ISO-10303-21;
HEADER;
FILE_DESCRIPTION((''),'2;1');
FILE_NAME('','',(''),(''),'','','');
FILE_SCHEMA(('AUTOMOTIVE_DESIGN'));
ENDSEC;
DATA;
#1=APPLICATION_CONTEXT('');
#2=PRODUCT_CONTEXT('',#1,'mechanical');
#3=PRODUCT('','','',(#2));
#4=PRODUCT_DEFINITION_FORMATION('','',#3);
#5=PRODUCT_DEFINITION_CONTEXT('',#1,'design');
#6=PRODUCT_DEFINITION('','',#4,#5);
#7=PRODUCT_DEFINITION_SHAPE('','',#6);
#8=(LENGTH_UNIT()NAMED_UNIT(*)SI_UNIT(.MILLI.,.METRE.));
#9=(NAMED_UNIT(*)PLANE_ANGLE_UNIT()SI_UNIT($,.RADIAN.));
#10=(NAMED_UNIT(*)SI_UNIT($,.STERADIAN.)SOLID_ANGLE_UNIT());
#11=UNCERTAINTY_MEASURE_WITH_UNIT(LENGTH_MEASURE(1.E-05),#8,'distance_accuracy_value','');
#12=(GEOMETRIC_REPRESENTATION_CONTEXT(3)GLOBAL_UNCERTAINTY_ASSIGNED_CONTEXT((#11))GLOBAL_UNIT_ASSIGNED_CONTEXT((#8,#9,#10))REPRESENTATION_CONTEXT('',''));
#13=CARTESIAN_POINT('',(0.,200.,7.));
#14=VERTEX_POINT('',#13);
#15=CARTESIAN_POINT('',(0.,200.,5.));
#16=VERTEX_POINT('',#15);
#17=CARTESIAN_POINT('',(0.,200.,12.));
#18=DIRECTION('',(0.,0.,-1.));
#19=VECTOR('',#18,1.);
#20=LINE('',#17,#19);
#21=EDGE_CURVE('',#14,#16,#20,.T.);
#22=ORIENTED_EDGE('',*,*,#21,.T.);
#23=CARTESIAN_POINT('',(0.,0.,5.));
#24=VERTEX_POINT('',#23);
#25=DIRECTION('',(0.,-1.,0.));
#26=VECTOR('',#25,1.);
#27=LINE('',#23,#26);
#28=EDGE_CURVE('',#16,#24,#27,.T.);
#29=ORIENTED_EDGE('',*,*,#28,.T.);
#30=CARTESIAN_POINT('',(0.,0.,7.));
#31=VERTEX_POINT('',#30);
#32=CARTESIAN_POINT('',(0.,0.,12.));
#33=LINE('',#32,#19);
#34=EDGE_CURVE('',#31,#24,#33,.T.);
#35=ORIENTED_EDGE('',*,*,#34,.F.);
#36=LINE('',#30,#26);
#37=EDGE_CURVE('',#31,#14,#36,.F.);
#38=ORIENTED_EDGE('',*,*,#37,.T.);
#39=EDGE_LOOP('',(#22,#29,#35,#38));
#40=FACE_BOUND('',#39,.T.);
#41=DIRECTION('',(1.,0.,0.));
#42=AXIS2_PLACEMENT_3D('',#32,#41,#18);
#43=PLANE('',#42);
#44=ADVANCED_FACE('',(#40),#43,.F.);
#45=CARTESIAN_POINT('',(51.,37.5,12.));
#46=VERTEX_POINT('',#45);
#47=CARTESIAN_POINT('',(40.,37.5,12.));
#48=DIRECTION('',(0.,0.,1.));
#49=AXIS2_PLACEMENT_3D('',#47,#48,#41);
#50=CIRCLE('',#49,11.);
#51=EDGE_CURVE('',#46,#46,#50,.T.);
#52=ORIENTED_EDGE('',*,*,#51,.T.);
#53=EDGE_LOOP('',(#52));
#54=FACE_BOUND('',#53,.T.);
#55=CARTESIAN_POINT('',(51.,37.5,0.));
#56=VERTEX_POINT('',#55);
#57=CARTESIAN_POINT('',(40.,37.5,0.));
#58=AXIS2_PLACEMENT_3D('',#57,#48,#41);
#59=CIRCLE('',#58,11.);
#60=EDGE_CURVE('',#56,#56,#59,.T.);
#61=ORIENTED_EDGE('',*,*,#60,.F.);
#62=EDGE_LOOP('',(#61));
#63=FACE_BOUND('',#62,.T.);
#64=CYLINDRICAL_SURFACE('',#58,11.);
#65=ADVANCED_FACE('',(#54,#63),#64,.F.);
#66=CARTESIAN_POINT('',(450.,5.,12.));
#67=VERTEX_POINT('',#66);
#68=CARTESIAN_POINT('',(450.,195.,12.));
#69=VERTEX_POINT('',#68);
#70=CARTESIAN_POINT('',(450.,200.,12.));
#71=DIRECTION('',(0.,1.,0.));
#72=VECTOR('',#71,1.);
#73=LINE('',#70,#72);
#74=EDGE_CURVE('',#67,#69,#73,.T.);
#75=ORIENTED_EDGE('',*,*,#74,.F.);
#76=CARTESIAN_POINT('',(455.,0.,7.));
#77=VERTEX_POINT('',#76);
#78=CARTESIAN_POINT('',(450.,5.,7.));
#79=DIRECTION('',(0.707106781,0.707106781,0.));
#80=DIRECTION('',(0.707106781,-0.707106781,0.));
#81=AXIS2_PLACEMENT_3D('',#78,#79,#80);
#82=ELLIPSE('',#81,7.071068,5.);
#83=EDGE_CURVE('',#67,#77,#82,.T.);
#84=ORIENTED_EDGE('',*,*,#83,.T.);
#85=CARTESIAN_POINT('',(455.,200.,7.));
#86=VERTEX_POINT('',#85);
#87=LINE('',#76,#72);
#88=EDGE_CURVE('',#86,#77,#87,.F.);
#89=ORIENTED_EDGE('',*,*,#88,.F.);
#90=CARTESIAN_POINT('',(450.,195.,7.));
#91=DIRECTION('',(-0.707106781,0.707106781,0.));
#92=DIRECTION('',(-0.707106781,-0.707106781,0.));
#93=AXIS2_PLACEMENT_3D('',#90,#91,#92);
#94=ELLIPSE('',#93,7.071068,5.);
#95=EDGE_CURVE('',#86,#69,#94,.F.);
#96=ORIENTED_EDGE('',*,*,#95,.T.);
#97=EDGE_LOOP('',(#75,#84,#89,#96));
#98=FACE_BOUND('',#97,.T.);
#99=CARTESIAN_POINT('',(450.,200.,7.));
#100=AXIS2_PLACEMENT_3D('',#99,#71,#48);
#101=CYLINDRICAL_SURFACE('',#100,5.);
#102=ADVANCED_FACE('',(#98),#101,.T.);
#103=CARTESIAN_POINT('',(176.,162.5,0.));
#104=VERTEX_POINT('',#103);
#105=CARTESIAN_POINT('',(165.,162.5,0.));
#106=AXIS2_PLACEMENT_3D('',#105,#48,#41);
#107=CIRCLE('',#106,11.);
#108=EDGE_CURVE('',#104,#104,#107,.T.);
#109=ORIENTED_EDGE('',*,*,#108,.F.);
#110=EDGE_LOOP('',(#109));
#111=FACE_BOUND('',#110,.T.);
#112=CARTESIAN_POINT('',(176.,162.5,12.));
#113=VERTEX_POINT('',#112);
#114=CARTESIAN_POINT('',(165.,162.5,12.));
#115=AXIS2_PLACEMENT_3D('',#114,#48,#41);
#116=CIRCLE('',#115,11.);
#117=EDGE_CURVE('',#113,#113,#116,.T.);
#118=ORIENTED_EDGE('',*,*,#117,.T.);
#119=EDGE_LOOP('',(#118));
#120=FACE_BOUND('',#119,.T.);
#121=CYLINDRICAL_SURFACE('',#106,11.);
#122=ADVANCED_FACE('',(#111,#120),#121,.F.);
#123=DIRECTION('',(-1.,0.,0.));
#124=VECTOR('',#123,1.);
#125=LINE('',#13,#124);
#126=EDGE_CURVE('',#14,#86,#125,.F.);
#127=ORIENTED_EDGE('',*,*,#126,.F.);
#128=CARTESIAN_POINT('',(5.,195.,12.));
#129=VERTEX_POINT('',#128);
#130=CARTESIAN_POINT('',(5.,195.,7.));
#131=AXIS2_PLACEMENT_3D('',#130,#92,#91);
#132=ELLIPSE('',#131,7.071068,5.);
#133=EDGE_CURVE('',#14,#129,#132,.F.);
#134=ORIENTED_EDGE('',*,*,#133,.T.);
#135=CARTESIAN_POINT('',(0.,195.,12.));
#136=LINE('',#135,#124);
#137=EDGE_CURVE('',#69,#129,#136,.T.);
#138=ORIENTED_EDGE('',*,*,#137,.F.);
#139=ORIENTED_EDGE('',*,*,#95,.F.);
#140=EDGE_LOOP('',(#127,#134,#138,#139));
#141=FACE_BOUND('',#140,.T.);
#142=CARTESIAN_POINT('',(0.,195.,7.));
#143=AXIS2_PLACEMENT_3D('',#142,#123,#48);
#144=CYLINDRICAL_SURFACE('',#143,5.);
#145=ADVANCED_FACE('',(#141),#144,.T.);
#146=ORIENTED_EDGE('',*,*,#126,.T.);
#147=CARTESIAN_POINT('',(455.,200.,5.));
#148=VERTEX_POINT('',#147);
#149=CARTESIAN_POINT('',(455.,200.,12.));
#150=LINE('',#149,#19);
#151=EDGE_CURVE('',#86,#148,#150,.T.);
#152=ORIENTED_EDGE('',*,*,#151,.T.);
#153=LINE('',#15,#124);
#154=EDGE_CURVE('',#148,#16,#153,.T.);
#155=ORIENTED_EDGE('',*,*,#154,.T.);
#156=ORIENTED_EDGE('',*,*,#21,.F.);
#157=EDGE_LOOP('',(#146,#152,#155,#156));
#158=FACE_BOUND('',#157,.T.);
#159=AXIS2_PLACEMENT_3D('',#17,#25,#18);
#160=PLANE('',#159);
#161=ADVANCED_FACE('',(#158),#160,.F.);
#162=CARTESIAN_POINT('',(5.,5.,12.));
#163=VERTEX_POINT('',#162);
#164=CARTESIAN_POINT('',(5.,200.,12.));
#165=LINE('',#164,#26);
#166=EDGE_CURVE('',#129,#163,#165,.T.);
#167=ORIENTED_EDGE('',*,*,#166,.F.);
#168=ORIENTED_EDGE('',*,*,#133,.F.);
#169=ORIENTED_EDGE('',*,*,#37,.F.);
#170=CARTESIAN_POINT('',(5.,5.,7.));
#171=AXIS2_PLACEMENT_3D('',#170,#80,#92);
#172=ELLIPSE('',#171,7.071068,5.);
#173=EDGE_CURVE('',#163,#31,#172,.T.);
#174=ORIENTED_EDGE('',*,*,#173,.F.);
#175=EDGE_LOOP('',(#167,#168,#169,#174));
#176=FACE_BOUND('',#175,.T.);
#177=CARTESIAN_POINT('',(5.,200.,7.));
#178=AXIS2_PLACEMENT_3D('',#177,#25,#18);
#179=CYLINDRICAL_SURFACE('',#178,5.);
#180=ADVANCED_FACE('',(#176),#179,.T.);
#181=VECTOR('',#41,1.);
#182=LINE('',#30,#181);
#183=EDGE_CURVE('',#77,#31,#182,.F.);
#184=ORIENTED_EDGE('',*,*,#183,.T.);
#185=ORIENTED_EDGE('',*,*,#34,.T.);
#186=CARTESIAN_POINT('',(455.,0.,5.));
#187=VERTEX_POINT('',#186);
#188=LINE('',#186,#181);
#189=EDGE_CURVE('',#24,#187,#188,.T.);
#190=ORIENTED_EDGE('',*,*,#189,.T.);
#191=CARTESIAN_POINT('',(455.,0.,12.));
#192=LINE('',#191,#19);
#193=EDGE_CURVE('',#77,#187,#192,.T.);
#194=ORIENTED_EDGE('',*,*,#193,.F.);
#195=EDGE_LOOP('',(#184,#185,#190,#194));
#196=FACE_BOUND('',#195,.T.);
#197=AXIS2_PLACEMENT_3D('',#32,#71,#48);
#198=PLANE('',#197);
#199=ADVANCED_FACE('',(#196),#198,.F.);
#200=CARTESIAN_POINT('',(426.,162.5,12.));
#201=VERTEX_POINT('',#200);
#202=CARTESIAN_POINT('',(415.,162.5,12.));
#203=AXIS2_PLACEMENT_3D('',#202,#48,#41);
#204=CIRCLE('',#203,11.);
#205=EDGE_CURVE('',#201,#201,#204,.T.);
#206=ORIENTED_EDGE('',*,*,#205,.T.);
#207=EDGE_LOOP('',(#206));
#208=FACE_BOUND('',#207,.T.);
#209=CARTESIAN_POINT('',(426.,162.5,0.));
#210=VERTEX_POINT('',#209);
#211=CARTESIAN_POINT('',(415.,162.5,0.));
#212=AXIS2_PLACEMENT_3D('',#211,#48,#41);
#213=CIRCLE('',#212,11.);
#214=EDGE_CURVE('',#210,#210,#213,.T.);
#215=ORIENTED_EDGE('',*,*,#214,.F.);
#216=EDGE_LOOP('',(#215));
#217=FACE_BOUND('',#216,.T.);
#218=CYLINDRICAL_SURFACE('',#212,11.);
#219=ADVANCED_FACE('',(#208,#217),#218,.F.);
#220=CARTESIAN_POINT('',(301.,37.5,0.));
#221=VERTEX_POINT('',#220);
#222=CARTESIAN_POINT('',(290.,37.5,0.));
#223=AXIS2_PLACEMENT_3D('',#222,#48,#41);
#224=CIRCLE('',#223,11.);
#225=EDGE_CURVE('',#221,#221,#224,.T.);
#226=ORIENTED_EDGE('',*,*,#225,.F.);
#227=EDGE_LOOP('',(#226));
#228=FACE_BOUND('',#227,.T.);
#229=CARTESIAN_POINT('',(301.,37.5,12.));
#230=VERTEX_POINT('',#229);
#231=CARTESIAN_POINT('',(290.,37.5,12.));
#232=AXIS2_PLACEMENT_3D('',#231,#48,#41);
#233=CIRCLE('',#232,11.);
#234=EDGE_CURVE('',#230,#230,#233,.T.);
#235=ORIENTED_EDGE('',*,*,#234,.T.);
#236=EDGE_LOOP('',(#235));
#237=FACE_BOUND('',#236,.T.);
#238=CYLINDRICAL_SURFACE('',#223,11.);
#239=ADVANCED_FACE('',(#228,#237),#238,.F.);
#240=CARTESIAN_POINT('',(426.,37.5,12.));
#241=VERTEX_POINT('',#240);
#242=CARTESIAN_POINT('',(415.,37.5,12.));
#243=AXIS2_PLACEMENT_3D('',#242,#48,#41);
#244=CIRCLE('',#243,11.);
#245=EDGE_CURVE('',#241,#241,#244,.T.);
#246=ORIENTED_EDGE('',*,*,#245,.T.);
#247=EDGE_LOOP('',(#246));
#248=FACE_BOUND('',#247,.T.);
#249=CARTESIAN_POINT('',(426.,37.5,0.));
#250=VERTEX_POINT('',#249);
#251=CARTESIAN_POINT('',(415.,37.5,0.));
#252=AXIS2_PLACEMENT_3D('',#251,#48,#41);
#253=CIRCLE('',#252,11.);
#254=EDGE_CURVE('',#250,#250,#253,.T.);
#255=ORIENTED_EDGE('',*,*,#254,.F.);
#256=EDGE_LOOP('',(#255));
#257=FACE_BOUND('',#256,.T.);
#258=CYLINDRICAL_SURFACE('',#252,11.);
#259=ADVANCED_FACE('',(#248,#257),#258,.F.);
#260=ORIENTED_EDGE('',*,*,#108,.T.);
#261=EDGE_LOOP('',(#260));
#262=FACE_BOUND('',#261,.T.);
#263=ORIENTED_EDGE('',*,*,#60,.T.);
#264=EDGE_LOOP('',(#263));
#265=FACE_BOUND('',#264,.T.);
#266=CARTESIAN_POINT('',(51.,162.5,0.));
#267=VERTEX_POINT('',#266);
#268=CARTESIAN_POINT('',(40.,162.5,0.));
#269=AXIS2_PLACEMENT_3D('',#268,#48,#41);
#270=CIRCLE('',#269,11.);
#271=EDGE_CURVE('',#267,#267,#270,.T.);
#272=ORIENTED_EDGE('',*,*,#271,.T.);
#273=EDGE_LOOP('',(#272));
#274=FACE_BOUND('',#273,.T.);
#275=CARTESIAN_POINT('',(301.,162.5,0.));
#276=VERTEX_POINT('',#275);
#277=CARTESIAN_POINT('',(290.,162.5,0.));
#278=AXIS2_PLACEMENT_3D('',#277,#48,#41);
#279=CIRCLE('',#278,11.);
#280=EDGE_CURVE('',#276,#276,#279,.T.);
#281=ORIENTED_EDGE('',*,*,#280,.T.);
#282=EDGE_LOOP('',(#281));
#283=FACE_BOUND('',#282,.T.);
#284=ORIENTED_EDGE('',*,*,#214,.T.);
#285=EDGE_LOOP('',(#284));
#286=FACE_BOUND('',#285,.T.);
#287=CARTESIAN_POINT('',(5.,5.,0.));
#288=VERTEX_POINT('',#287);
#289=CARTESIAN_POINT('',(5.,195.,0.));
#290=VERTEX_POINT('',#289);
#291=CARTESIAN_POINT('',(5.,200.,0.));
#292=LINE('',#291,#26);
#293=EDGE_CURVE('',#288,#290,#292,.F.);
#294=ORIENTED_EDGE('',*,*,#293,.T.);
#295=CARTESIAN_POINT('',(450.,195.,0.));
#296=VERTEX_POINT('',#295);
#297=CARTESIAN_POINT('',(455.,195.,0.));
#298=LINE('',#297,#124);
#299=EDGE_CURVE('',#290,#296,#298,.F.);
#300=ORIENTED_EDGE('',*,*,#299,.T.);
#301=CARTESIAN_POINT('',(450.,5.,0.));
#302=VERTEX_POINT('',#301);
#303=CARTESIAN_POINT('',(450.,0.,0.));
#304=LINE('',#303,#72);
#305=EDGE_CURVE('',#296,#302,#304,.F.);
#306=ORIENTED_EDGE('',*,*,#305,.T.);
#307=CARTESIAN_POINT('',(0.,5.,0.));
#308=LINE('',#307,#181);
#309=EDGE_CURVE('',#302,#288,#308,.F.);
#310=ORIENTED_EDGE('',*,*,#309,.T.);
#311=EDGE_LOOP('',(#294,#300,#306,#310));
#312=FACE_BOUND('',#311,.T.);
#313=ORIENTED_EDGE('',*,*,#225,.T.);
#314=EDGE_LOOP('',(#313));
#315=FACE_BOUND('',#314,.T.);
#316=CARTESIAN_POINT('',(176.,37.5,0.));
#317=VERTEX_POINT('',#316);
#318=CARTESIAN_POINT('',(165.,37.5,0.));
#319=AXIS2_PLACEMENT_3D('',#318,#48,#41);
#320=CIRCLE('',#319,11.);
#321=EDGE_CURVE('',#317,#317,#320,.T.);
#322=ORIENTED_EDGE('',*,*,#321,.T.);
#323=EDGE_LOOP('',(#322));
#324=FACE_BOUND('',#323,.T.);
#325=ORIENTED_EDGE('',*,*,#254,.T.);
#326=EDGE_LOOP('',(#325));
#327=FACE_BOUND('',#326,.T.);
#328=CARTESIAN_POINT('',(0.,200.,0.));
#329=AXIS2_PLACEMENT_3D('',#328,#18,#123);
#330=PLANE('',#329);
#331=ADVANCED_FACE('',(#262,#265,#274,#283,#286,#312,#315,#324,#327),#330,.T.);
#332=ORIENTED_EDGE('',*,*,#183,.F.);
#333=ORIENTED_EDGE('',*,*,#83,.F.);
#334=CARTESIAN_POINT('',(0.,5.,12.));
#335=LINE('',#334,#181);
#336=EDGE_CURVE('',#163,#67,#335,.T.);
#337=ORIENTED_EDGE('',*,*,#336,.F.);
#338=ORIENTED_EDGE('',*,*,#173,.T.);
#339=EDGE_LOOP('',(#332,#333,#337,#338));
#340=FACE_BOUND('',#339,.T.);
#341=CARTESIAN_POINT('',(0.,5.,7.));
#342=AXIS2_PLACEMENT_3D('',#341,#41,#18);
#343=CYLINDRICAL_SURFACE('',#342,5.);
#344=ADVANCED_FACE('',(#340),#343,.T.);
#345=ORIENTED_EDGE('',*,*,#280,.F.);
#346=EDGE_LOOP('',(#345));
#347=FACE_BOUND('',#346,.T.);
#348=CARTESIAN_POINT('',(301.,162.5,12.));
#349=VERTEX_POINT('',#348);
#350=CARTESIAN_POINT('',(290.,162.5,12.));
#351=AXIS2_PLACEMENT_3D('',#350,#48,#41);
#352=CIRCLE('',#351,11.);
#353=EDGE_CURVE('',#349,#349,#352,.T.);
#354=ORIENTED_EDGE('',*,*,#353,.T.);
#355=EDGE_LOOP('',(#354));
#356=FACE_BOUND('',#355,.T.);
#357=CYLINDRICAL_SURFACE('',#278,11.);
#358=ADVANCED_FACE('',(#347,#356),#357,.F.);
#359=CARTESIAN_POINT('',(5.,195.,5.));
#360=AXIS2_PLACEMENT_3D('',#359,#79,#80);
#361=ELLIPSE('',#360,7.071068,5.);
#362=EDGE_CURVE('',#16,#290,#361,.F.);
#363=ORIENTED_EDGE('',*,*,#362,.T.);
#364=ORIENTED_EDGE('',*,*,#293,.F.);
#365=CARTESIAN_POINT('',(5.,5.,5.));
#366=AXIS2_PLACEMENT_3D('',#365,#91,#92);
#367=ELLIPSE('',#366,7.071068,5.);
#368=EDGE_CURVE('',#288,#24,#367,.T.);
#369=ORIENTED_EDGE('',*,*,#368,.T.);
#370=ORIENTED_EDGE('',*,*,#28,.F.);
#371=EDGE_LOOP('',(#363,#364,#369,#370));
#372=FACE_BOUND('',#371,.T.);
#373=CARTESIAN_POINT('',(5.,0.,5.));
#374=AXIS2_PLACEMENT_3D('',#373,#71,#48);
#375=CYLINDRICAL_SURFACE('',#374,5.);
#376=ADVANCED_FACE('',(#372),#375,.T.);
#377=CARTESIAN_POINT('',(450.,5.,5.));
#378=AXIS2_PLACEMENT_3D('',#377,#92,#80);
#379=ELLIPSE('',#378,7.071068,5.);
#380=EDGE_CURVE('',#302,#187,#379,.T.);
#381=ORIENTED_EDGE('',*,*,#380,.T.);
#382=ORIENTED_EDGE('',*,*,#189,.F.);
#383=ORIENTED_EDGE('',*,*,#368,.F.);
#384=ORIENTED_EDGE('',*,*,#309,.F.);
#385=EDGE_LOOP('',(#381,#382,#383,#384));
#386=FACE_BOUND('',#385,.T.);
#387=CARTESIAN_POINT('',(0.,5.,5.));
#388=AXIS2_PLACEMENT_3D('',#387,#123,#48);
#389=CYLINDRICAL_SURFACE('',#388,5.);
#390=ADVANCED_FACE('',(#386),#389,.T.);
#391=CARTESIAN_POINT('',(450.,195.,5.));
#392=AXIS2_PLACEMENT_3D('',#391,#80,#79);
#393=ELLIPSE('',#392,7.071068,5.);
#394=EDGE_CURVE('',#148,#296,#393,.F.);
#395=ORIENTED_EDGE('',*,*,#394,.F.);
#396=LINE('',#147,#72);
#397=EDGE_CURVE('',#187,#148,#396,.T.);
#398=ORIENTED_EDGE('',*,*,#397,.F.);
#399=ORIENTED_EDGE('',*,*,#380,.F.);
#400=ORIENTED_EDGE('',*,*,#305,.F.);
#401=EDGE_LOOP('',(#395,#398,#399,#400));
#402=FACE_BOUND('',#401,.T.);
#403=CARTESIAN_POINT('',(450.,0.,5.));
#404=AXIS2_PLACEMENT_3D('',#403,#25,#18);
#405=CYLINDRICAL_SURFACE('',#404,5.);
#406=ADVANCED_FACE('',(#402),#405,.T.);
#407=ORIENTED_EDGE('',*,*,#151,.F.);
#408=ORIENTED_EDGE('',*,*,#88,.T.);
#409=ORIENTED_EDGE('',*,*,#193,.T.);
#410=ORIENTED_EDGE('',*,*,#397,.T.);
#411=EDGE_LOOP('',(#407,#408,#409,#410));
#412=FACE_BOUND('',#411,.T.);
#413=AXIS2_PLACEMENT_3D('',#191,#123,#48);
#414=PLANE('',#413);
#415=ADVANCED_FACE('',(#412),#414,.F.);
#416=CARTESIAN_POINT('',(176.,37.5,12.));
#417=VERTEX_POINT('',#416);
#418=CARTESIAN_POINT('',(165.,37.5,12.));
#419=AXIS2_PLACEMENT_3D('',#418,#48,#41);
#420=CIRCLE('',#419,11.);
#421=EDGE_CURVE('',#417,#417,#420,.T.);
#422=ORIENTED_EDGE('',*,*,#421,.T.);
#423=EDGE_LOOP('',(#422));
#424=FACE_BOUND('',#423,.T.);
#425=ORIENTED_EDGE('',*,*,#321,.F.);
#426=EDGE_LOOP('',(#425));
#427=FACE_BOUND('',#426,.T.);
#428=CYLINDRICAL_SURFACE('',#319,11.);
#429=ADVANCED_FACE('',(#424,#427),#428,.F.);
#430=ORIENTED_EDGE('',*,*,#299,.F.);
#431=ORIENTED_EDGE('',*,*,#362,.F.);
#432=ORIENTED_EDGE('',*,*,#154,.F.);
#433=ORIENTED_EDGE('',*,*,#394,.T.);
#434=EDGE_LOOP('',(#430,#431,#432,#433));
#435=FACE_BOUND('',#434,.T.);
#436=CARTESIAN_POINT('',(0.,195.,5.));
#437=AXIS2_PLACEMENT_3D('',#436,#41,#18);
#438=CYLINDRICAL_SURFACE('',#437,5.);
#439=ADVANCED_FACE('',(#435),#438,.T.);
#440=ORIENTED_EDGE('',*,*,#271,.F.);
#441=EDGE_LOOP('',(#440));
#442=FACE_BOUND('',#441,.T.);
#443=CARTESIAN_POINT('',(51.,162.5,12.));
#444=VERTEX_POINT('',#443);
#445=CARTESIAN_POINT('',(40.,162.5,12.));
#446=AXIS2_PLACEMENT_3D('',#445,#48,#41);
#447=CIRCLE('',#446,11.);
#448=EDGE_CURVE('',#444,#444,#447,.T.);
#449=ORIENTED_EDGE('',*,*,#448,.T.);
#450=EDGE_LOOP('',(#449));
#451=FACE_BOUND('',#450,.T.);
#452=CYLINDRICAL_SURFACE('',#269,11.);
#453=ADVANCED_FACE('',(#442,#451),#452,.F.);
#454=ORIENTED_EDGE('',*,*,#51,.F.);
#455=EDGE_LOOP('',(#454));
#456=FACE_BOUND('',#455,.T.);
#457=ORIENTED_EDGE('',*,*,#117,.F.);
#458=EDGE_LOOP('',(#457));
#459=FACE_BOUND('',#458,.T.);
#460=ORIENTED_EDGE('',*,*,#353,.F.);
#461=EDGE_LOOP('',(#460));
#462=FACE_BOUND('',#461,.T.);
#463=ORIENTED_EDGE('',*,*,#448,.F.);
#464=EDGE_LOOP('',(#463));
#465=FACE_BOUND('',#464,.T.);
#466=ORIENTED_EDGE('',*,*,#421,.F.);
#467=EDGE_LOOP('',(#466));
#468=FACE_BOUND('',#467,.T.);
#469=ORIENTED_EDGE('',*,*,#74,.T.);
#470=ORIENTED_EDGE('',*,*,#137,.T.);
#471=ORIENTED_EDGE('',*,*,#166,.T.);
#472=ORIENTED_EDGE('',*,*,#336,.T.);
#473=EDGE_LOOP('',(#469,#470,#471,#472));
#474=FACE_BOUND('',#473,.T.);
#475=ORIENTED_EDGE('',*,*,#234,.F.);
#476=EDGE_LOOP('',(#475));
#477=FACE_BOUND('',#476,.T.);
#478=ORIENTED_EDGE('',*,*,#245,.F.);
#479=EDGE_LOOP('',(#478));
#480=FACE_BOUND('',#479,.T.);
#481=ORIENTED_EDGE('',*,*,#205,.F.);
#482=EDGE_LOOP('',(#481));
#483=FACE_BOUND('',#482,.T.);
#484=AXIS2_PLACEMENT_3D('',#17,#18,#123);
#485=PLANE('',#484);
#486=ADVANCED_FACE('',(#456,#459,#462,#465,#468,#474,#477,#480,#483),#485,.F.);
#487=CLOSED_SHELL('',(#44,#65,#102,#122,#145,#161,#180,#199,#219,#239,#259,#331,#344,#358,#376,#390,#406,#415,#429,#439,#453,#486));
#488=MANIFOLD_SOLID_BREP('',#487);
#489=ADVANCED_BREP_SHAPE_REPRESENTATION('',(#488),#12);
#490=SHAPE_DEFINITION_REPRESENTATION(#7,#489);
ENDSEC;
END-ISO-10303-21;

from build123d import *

# Parameters (mm, degrees)
SKETCH_1_W                  = 455
SKETCH_1_H                  = 200
EXTRUDE_1_DEPTH             = 12
SKETCH_2_R                  = 11
CUT_EXTRUDE_2_DEPTH         = 498.160939737
PATTERN_LINEAR_1_COUNT      = 4
PATTERN_LINEAR_1_PITCH      = 125
PATTERN_LINEAR_1_COUNT_DIR2 = 2
PATTERN_LINEAR_1_PITCH_DIR2 = 125
FILLET_1_R                  = 5
FILLET_2_R                  = 5


with BuildPart() as part:
    # 草图1 → 拉伸1 (new body)
    with BuildSketch(Plane.XY):
        with Locations((227.5, 100)):
            Rectangle(SKETCH_1_W, SKETCH_1_H)
    extrude(amount=EXTRUDE_1_DEPTH)

    # 草图2 → 拉伸2 (cut, through all)
    with BuildSketch(Plane.XY.offset(12)):
        with Locations((40, 37.5)):
            Circle(SKETCH_2_R)
    cut_extrude_2 = extrude(amount=-CUT_EXTRUDE_2_DEPTH, mode=Mode.SUBTRACT)

    # 阵列(线性)1: Cut-Extrude 2 4 × 2
    with Locations(*[(i * PATTERN_LINEAR_1_PITCH, j * PATTERN_LINEAR_1_PITCH_DIR2, 0) for i in range(PATTERN_LINEAR_1_COUNT) for j in range(PATTERN_LINEAR_1_COUNT_DIR2) if (i, j) != (0, 0)]):
        add(cut_extrude_2, mode=Mode.SUBTRACT)

    # 圆角1
    fillet_1_edges = [part.edges().sort_by_distance(p)[0] for p in [
        (455, 100, 12),
        (227.5, 200, 12),
        (0, 100, 12),
        (227.5, 0, 12),
    ]]
    fillet(fillet_1_edges, radius=FILLET_1_R)

    # 圆角2
    fillet_2_edges = [part.edges().sort_by_distance(p)[0] for p in [
        (227.5, 200, 0),
        (455, 100, 0),
        (227.5, 0, 0),
        (0, 100, 0),
    ]]
    fillet(fillet_2_edges, radius=FILLET_2_R)


solid = part.part
